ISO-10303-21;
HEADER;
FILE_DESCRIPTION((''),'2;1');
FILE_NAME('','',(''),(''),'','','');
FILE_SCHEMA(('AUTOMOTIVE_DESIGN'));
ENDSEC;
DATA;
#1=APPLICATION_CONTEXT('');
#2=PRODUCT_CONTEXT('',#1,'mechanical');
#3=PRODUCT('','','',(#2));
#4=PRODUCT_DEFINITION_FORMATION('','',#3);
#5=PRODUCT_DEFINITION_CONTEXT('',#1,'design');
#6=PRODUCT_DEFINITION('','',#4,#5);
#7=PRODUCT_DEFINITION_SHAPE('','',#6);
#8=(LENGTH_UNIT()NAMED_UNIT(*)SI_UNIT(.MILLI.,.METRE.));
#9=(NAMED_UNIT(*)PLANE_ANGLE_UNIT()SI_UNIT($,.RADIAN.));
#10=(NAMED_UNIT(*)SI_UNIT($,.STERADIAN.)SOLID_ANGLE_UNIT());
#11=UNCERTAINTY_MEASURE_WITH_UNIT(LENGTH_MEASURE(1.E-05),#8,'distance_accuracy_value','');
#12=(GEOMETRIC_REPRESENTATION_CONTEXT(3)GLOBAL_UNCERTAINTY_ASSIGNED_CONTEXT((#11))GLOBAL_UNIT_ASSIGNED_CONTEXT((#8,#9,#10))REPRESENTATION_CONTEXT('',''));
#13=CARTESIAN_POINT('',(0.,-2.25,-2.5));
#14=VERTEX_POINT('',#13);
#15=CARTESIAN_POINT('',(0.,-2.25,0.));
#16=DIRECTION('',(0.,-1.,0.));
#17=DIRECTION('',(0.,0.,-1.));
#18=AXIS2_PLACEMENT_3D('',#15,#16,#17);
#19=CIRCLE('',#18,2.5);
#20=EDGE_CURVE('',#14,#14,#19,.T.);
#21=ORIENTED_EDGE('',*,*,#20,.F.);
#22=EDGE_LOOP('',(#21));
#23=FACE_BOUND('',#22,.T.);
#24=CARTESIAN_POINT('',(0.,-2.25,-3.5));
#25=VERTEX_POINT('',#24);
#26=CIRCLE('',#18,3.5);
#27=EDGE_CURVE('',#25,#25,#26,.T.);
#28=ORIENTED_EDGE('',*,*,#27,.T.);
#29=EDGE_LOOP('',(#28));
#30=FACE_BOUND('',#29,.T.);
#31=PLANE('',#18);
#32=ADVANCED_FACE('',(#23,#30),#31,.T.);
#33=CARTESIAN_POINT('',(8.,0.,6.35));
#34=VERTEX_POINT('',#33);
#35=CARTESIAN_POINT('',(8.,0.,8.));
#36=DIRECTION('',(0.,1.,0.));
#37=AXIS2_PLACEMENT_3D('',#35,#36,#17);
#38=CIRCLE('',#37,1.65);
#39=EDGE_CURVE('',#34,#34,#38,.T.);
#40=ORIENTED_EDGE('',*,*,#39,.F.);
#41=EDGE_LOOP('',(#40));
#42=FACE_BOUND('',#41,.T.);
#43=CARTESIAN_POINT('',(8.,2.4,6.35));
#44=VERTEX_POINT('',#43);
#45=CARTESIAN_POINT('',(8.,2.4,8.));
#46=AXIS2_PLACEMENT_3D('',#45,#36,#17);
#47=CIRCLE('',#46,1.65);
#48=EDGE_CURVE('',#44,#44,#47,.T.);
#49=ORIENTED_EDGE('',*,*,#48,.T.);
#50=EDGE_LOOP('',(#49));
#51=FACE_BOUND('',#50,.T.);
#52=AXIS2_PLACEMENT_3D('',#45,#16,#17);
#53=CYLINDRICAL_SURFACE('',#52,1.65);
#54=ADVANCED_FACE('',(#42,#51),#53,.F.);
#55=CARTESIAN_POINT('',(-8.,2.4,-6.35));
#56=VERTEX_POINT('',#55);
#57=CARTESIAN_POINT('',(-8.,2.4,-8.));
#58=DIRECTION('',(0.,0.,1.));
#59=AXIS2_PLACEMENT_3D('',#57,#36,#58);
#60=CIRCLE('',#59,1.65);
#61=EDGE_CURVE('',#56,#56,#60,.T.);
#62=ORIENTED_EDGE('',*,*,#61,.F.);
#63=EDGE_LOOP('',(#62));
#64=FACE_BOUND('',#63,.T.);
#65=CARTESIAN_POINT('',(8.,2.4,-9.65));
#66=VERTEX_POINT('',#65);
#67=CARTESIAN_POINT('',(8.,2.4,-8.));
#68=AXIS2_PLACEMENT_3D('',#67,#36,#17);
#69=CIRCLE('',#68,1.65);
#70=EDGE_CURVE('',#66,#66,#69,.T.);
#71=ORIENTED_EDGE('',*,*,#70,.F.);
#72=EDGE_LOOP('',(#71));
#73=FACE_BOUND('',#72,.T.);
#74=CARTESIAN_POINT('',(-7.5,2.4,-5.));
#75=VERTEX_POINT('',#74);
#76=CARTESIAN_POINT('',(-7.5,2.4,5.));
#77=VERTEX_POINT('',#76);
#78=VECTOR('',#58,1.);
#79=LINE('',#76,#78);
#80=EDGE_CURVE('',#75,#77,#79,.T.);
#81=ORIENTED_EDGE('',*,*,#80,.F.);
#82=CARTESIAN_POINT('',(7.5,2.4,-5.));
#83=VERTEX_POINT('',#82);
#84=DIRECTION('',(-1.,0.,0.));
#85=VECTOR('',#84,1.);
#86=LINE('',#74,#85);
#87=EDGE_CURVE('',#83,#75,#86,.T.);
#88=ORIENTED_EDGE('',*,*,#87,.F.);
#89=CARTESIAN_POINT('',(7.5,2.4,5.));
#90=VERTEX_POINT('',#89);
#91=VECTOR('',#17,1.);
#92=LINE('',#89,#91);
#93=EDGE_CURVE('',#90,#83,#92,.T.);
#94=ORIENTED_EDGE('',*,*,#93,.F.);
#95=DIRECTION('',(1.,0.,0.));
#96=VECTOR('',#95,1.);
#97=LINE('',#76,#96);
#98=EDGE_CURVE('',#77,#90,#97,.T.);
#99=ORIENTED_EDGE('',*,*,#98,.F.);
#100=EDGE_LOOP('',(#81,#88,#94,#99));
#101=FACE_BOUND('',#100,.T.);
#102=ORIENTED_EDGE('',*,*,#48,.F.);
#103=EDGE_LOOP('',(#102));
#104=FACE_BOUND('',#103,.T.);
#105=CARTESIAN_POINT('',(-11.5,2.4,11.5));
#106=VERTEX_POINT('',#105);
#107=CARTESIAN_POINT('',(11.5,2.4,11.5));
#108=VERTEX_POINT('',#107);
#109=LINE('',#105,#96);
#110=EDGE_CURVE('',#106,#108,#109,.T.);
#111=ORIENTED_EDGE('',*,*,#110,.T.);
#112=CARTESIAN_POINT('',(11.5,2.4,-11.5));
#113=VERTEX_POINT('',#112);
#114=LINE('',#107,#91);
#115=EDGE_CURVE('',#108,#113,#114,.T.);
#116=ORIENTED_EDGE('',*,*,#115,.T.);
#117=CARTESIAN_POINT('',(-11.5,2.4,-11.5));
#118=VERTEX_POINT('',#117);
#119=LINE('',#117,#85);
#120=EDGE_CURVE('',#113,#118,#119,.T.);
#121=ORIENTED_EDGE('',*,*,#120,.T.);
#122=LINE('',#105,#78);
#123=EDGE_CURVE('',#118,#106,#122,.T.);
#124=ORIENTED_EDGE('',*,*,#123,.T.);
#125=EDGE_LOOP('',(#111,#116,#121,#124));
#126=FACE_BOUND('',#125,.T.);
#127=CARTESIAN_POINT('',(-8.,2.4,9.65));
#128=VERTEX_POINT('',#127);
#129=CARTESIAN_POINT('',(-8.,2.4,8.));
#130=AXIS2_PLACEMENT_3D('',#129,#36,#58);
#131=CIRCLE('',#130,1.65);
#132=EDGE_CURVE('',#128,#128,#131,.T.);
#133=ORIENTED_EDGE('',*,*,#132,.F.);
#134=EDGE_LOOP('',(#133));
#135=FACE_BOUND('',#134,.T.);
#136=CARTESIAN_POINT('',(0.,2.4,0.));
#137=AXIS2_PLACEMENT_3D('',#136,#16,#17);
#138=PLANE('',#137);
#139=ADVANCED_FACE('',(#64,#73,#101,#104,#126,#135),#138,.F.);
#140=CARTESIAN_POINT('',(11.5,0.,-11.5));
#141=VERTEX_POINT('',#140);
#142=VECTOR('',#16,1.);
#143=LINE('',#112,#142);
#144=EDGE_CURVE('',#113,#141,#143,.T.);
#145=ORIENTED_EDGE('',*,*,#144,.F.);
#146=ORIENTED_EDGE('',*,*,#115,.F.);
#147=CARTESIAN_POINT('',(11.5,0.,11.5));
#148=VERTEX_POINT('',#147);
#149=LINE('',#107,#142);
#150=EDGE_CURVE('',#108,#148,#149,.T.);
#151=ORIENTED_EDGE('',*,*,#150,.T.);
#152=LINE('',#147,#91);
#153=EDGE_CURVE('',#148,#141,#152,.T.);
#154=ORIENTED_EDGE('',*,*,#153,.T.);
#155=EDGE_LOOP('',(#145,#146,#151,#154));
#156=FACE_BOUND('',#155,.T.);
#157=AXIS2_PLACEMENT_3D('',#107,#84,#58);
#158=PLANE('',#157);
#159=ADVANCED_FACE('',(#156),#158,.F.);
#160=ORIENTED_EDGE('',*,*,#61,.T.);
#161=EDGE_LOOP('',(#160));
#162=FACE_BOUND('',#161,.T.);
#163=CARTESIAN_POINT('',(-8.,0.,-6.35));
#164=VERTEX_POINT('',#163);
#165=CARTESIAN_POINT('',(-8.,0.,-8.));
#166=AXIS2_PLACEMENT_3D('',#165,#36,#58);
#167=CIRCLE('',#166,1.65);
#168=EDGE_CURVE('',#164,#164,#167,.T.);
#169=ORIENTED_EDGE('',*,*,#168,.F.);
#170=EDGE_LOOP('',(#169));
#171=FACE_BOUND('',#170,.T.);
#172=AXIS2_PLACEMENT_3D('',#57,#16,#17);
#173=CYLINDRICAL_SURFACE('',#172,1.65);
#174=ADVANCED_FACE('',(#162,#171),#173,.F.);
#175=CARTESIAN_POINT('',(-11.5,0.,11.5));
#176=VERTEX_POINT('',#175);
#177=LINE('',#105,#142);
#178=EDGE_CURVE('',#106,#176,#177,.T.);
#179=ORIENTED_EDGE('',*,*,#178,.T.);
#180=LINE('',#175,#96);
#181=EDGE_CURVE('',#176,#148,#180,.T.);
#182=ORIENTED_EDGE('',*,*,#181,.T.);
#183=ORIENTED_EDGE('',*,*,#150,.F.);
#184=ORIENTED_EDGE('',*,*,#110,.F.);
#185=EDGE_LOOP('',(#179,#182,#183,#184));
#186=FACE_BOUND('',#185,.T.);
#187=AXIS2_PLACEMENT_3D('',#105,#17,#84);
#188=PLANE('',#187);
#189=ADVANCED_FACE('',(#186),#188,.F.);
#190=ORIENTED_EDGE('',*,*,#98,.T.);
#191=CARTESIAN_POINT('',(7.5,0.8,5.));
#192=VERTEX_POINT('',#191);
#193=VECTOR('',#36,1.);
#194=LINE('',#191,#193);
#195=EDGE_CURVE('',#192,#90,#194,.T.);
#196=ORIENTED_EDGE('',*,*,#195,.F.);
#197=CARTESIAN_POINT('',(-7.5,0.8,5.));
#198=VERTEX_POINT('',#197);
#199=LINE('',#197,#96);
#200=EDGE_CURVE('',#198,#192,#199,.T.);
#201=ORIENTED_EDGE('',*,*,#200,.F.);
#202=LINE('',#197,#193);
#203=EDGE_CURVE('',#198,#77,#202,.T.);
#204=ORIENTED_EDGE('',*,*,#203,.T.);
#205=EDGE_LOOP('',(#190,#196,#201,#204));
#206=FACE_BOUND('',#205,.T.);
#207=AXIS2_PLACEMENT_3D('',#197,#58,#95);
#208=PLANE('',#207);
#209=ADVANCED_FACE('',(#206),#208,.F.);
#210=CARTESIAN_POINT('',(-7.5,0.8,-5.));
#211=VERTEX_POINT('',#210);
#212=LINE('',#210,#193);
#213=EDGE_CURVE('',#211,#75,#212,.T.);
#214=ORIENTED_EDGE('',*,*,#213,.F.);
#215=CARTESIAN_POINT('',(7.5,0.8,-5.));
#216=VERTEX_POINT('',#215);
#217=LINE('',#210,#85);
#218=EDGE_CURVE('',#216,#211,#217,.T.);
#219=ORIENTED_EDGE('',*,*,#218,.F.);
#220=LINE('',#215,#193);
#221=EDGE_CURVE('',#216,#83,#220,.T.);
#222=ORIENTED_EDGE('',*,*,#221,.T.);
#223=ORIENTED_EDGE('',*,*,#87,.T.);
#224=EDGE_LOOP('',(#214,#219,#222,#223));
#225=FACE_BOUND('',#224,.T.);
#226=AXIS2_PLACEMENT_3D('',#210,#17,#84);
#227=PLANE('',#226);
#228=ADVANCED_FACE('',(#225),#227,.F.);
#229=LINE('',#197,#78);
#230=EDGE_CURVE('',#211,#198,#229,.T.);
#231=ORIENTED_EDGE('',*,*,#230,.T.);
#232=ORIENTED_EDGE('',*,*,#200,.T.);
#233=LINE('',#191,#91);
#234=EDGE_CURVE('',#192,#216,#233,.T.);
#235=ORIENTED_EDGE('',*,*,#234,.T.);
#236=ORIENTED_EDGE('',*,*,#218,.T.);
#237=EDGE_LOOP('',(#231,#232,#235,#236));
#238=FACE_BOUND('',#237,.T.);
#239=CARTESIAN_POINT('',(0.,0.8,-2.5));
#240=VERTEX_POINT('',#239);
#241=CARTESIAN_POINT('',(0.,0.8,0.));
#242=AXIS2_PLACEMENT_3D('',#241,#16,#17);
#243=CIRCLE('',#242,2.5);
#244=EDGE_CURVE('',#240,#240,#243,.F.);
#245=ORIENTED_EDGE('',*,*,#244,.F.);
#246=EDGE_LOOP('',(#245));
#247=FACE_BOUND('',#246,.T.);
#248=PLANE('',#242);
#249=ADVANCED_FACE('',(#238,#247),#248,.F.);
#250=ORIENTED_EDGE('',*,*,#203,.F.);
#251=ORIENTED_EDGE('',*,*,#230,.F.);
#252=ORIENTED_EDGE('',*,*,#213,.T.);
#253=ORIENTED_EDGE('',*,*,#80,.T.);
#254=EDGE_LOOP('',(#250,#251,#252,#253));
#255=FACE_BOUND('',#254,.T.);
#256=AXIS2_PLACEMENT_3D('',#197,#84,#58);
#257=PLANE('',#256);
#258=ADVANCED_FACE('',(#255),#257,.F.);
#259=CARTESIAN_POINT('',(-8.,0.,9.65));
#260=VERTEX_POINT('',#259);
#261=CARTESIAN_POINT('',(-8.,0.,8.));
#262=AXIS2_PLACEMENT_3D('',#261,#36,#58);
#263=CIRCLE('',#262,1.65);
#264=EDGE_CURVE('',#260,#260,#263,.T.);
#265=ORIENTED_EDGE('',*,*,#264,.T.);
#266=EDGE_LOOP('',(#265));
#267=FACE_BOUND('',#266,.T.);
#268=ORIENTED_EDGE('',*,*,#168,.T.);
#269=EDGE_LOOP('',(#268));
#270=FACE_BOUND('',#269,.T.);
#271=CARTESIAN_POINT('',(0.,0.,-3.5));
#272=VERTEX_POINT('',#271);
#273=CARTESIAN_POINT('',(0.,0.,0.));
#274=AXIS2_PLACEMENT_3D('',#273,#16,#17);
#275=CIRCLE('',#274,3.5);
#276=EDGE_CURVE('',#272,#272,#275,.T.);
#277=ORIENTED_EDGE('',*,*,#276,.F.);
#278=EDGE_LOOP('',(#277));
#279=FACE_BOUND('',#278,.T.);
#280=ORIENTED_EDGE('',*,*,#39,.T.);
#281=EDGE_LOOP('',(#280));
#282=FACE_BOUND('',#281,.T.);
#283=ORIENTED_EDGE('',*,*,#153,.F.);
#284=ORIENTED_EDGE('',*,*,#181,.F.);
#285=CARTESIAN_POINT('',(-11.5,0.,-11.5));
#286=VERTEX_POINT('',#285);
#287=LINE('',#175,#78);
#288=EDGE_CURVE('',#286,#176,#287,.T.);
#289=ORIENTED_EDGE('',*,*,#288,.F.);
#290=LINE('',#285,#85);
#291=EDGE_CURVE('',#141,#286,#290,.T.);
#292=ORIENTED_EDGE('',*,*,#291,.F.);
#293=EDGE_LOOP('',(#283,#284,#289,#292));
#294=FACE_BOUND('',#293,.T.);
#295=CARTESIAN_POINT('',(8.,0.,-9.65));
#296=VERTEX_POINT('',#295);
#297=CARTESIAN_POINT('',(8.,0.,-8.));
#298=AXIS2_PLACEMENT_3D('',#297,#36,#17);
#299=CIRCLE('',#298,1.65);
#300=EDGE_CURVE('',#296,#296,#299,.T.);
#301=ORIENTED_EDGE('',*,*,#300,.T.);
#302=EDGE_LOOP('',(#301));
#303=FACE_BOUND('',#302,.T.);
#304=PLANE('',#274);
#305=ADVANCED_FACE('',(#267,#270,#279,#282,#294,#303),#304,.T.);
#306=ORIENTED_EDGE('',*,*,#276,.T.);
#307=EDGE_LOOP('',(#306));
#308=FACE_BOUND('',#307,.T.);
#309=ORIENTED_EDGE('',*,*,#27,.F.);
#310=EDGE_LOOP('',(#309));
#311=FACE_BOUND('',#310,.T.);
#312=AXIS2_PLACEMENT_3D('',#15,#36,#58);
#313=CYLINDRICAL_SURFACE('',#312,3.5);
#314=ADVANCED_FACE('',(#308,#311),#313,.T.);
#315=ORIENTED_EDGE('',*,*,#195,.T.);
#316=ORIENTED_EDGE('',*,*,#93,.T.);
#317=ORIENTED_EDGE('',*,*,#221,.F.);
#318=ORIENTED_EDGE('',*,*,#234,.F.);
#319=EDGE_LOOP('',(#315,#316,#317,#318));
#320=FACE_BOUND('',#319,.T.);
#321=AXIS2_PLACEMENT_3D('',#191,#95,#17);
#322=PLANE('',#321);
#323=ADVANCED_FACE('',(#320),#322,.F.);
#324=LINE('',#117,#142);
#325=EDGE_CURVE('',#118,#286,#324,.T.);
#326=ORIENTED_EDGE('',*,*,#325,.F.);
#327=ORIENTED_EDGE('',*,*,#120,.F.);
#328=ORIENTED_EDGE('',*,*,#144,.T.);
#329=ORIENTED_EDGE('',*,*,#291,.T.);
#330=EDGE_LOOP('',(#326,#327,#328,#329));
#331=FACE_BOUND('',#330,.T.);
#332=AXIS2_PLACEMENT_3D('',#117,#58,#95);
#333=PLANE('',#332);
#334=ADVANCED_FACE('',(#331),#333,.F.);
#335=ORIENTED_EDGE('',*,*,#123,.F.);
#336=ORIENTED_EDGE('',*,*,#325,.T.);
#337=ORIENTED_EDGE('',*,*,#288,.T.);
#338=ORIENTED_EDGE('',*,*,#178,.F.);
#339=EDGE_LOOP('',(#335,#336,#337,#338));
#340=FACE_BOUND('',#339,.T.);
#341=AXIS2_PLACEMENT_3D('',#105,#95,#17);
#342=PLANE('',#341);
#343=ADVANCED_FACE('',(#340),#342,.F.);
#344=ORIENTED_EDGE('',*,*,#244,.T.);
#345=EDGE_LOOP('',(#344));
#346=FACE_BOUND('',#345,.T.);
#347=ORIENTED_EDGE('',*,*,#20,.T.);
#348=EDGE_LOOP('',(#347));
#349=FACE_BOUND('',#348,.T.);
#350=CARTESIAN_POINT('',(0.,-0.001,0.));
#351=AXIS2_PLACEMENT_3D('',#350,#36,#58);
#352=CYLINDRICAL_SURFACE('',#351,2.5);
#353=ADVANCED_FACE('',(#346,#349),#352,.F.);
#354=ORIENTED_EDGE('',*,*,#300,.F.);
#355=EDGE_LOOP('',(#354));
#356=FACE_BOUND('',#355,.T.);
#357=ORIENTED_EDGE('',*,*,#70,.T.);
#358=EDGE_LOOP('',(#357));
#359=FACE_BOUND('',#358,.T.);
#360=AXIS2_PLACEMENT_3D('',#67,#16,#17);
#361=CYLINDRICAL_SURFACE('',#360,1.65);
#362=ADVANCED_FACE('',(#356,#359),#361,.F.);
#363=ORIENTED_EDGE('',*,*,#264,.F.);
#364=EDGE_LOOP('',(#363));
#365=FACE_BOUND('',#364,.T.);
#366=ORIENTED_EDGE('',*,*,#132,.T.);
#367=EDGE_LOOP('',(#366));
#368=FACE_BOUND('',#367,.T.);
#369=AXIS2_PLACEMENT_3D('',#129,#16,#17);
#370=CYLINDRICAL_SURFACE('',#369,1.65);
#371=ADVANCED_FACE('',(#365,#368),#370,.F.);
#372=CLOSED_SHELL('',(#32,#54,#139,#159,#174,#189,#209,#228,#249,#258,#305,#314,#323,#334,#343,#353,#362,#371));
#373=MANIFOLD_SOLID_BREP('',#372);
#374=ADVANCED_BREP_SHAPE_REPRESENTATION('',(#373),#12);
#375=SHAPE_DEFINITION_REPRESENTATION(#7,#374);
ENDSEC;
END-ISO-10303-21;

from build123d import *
from build123d.topology import SkipClean

# Parameters (mm, degrees)
SKETCH1_W           = 23
SKETCH1_H           = 23
SKETCH1_R           = 1.65
BOSS_EXTRUDE1_DEPTH = 2.4
CUT_EXTRUDE1_REACH  = 18.44
SKETCH2_R           = 2.5
SKETCH3_W           = 15
SKETCH3_H           = 10
CUT_EXTRUDE2_DEPTH  = 1.6
SKETCH4_R           = 3.5
SKETCH4_R_2         = 2.5
BOSS_EXTRUDE2_DEPTH = 2.25


with BuildPart() as part:
    # Sketch1 → Boss-Extrude1 (new body)
    with BuildSketch(Plane(origin=(0, 0, 0), x_dir=(1, 0, 0), z_dir=(0, 1, 0))):
        Rectangle(SKETCH1_W, SKETCH1_H)
        with Locations(Location((-8, 8, 0), (0, 0, 270))):
            Circle(SKETCH1_R, mode=Mode.SUBTRACT)
        with Locations(Location((8, -8, 0), (0, 0, 90))):
            Circle(SKETCH1_R, mode=Mode.SUBTRACT)
        with Locations(Location((-8, -8, 0), (0, 0, 270))):
            Circle(SKETCH1_R, mode=Mode.SUBTRACT)
        with Locations(Location((8, 8, 0), (0, 0, 90))):
            Circle(SKETCH1_R, mode=Mode.SUBTRACT)
    extrude(amount=BOSS_EXTRUDE1_DEPTH)

    # Sketch2 → Cut-Extrude1 (cut, up to next)
    with BuildSketch(Plane(origin=(0, 2.4, 0), x_dir=(1, 0, 0), z_dir=(0, 1, 0)), mode=Mode.PRIVATE) as cut_extrude1_sk1:
        with Locations(Location((0, 0, 0), (0, 0, 270))):
            Circle(SKETCH2_R)
    cut_extrude1_tool1 = extrude(cut_extrude1_sk1.sketch, amount=-CUT_EXTRUDE1_REACH, mode=Mode.PRIVATE) & part.part
    add(cut_extrude1_tool1.solids().sort_by_distance((0, 2.4, 0))[0], mode=Mode.SUBTRACT)

    # Sketch3 → Cut-Extrude2 (cut)
    with BuildSketch(Plane(origin=(0, 2.4, 0), x_dir=(1, 0, 0), z_dir=(0, 1, 0))):
        Rectangle(SKETCH3_W, SKETCH3_H)
    extrude(amount=-CUT_EXTRUDE2_DEPTH, mode=Mode.SUBTRACT)

    # Sketch4 → Boss-Extrude2 (add)
    with SkipClean():  # the faces are left unmerged after this step: merging them gives an invalid solid
        with BuildSketch(Plane.XZ):
            with Locations(Location((0, 0, 0), (0, 0, 270))):
                Circle(SKETCH4_R)
            with Locations(Location((0, 0, 0), (0, 0, 270))):
                Circle(SKETCH4_R_2, mode=Mode.SUBTRACT)
        extrude(amount=BOSS_EXTRUDE2_DEPTH)


solid = part.part
